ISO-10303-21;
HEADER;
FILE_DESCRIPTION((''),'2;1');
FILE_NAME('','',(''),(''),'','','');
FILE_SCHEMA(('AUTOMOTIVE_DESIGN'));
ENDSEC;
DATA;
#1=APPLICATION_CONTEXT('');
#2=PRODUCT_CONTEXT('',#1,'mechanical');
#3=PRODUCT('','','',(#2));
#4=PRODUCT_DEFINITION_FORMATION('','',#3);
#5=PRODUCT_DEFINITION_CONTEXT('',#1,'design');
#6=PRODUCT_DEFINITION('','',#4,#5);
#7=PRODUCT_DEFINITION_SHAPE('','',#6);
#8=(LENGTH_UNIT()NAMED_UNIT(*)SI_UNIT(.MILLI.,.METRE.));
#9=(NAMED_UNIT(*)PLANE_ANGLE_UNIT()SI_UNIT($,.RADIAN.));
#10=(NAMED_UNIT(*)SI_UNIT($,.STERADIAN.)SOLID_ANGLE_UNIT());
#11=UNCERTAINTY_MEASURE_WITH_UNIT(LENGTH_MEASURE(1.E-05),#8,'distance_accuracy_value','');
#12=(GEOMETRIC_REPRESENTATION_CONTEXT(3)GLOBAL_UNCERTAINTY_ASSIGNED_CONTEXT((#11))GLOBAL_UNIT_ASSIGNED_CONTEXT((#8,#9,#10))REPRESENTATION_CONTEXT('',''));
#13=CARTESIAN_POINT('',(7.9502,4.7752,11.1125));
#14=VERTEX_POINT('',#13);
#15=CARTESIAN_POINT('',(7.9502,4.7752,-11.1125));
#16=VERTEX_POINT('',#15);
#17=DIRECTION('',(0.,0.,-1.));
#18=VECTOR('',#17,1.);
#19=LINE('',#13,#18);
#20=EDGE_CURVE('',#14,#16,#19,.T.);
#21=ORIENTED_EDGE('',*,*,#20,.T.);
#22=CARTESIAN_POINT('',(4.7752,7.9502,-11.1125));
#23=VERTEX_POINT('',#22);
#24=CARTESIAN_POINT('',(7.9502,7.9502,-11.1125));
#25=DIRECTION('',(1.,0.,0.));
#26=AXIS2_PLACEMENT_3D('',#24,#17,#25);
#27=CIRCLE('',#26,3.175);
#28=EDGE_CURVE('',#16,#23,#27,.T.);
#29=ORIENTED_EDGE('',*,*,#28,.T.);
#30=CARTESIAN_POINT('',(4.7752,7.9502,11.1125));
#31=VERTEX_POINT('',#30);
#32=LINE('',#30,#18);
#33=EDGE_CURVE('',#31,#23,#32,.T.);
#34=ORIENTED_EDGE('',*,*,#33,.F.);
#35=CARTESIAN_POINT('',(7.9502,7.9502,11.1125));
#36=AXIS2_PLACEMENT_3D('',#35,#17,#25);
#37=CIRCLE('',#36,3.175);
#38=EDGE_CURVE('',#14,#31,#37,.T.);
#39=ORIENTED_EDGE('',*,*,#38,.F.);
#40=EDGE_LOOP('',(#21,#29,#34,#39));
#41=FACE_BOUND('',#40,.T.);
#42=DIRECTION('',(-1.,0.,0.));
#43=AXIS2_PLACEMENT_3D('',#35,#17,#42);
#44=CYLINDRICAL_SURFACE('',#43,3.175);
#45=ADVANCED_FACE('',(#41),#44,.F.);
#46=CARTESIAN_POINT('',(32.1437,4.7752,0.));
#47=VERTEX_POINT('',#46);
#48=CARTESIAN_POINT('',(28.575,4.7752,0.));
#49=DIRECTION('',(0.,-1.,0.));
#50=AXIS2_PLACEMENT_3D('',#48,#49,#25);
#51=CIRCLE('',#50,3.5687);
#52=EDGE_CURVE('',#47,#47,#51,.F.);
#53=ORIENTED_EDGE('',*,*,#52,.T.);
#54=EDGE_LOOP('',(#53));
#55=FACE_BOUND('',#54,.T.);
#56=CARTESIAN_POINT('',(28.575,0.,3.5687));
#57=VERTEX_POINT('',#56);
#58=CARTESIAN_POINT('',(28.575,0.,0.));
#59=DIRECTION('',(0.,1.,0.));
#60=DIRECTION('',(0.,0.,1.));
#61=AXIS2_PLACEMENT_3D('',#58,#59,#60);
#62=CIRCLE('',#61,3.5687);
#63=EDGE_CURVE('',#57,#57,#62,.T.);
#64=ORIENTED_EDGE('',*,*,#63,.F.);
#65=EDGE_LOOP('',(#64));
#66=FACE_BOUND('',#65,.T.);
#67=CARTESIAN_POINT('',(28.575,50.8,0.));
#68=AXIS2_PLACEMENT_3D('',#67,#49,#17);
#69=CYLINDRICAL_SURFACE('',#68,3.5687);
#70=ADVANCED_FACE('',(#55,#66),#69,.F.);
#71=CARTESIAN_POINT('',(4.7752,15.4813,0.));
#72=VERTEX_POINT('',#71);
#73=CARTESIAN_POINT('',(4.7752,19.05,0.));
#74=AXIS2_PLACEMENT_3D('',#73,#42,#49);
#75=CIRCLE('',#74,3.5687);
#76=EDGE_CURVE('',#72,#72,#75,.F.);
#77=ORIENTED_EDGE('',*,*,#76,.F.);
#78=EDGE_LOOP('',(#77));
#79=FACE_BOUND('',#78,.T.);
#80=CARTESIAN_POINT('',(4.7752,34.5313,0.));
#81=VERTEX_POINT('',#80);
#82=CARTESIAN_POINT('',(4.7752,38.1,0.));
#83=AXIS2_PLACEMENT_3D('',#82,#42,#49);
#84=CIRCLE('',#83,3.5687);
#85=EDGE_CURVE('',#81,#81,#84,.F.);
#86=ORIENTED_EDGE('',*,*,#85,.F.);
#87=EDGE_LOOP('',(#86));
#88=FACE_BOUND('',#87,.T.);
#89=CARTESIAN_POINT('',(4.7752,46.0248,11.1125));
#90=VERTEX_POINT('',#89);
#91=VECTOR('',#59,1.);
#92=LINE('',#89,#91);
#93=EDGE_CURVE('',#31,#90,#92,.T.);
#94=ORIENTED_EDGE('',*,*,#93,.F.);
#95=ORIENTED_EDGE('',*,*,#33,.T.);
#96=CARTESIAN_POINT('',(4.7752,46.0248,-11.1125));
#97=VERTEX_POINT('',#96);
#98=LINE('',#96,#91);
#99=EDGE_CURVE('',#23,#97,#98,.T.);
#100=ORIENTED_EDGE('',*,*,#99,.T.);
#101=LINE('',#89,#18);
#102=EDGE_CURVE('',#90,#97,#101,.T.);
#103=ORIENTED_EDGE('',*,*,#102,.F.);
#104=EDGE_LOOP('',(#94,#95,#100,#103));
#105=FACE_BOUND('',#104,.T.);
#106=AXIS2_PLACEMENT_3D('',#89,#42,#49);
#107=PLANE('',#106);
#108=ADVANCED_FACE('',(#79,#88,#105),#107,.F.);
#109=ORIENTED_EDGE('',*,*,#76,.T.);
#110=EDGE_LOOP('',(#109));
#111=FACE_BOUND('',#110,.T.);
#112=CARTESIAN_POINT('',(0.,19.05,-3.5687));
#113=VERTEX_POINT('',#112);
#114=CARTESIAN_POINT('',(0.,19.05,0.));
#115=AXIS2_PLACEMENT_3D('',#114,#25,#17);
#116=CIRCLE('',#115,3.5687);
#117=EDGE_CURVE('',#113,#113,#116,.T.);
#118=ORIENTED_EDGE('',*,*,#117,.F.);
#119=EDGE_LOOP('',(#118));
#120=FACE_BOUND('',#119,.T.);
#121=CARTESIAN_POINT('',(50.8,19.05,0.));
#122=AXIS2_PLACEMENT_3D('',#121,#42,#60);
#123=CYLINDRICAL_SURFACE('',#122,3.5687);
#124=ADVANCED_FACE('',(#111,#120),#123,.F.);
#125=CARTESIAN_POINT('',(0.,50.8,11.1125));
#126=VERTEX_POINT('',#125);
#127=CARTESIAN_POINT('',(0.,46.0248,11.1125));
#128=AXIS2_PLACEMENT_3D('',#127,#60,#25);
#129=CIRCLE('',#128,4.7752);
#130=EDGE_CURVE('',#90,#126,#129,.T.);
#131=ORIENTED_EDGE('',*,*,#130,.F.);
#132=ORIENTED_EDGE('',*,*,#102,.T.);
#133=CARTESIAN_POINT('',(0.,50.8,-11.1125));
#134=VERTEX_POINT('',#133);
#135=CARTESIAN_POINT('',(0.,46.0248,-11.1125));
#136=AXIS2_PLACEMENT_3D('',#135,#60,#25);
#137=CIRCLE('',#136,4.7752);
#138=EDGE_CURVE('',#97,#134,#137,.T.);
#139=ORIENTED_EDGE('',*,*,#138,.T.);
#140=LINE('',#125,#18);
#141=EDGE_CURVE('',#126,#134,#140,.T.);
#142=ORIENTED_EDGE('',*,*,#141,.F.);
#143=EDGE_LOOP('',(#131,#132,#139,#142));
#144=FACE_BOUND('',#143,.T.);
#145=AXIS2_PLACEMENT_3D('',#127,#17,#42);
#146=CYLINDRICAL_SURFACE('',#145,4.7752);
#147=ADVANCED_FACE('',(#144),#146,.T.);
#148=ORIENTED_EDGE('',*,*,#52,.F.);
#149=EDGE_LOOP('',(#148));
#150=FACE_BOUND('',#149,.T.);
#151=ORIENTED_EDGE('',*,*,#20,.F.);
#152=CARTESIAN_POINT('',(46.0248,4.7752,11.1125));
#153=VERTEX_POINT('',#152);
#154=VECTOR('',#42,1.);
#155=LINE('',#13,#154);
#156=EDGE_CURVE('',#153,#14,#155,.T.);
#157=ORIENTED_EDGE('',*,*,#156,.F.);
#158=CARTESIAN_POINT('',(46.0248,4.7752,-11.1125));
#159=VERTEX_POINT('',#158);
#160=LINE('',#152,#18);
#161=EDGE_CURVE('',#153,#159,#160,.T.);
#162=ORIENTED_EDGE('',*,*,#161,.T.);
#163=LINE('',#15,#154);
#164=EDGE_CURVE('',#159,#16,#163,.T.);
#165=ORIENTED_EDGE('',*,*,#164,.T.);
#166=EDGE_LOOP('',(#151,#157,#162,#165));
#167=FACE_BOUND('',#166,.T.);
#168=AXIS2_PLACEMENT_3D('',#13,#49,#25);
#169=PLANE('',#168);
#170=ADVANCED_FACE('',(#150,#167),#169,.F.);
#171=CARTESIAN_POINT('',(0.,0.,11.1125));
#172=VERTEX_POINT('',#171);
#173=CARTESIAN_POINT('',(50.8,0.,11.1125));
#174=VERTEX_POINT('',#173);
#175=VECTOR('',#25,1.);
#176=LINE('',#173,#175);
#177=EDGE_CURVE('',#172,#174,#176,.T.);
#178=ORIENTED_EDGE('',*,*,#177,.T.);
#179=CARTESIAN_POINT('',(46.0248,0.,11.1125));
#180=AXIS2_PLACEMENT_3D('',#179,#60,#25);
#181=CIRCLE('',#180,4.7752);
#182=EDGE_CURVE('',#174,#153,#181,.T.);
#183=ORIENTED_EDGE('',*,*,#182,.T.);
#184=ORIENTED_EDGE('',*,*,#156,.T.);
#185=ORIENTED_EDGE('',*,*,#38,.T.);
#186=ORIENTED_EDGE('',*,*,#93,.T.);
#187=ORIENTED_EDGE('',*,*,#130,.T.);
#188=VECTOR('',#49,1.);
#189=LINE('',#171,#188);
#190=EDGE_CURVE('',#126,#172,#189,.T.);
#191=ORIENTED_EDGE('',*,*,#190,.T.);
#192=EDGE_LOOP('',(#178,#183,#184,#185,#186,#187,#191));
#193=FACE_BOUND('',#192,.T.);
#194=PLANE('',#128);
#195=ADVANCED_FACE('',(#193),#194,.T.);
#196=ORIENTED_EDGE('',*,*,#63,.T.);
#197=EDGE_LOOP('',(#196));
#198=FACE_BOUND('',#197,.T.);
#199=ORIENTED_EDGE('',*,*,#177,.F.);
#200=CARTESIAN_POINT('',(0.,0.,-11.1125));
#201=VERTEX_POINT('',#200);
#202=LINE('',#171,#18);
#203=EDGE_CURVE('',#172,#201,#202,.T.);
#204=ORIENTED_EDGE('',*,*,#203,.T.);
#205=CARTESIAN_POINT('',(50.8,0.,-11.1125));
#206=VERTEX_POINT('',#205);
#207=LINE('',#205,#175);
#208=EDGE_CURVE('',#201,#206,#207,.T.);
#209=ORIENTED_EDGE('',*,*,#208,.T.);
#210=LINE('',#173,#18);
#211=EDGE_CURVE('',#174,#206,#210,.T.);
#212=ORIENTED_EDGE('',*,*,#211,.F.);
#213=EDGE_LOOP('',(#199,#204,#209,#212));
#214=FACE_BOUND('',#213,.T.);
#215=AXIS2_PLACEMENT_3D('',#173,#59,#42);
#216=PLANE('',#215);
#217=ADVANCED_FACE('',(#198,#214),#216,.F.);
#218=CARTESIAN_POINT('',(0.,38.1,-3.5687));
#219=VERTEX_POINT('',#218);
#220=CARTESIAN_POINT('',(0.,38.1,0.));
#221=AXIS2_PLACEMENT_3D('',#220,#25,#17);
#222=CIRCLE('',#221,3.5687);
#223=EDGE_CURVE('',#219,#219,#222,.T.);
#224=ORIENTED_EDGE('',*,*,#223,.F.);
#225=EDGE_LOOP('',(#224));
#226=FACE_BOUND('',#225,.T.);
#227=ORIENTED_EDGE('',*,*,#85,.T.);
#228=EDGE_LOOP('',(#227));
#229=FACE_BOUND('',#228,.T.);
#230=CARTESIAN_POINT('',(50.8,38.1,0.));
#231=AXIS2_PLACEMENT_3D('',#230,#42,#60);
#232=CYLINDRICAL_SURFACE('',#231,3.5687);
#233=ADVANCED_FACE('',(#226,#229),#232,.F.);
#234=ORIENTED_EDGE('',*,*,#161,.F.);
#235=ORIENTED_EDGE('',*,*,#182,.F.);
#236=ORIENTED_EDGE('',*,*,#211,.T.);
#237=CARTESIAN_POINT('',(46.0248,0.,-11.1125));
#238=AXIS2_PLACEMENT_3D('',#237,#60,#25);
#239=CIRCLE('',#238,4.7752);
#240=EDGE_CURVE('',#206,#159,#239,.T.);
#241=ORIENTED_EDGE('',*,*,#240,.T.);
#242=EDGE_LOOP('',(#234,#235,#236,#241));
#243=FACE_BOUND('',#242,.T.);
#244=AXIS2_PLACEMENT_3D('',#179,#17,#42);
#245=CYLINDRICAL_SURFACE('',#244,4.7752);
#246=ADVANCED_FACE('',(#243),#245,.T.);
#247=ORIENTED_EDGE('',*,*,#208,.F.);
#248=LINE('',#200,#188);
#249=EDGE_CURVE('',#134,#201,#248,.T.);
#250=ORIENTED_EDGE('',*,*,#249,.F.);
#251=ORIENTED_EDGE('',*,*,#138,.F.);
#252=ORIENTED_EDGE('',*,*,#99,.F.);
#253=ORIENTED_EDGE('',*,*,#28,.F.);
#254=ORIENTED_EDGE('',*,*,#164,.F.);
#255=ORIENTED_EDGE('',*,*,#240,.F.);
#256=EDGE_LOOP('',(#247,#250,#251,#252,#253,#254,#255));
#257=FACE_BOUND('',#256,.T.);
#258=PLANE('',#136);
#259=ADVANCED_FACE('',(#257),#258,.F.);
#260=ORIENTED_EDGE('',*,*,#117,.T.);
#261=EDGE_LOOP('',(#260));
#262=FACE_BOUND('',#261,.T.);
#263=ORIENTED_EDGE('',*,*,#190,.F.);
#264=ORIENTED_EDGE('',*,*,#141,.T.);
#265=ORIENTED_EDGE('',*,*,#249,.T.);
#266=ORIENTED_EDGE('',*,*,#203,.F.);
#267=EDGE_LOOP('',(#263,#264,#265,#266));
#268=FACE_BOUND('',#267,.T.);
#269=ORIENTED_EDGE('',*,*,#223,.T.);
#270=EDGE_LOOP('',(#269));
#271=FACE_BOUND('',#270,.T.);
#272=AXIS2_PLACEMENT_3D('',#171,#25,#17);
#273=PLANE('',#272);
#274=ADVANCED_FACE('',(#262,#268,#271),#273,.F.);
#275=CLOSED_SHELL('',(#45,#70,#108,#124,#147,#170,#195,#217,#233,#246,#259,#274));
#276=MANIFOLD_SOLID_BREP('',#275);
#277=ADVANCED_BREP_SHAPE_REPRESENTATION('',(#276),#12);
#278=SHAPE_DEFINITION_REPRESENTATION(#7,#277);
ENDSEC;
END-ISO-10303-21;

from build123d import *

# Parameters (mm, degrees)
BOSS_EXTRUDE1_DEPTH = 11.1125
SKETCH2_R           = 3.5687
CUT_EXTRUDE1_DEPTH  = 51.8
SKETCH3_R           = 3.5687
CUT_EXTRUDE2_DEPTH  = 51.8


with BuildPart() as part:
    # Sketch1 → Boss-Extrude1 (new body, symmetric)
    with BuildSketch(Plane.XY):
        with BuildLine():
            Line((0, 0), (0, 50.8))
            ThreePointArc((0, 50.8), (3.376576302, 49.401376302), (4.7752, 46.0248))
            Line((4.7752, 46.0248), (4.7752, 7.9502))
            ThreePointArc((4.7752, 7.9502), (5.70513597, 5.70513597), (7.9502, 4.7752))
            Line((7.9502, 4.7752), (46.0248, 4.7752))
            ThreePointArc((46.0248, 4.7752), (49.401376302, 3.376576302), (50.8, 0))
            Line((50.8, 0), (0, 0))
        make_face()
    extrude(amount=BOSS_EXTRUDE1_DEPTH, both=True)

    # Sketch2 → Cut-Extrude1 (cut, through all)
    with BuildSketch(Plane(origin=(0, 0, 0), x_dir=(1, 0, 0), z_dir=(0, 1, 0))):
        with Locations((28.575, 0)):
            Circle(SKETCH2_R)
    extrude(amount=CUT_EXTRUDE1_DEPTH, mode=Mode.SUBTRACT)

    # Sketch3 → Cut-Extrude2 (cut, through all)
    with BuildSketch(Plane(origin=(0, 0, 0), x_dir=(0, 0, -1), z_dir=(1, 0, 0))):
        with Locations((0, 19.05)):
            Circle(SKETCH3_R)
        with Locations((0, 38.1)):
            Circle(SKETCH3_R)
    extrude(amount=CUT_EXTRUDE2_DEPTH, mode=Mode.SUBTRACT)


solid = part.part
